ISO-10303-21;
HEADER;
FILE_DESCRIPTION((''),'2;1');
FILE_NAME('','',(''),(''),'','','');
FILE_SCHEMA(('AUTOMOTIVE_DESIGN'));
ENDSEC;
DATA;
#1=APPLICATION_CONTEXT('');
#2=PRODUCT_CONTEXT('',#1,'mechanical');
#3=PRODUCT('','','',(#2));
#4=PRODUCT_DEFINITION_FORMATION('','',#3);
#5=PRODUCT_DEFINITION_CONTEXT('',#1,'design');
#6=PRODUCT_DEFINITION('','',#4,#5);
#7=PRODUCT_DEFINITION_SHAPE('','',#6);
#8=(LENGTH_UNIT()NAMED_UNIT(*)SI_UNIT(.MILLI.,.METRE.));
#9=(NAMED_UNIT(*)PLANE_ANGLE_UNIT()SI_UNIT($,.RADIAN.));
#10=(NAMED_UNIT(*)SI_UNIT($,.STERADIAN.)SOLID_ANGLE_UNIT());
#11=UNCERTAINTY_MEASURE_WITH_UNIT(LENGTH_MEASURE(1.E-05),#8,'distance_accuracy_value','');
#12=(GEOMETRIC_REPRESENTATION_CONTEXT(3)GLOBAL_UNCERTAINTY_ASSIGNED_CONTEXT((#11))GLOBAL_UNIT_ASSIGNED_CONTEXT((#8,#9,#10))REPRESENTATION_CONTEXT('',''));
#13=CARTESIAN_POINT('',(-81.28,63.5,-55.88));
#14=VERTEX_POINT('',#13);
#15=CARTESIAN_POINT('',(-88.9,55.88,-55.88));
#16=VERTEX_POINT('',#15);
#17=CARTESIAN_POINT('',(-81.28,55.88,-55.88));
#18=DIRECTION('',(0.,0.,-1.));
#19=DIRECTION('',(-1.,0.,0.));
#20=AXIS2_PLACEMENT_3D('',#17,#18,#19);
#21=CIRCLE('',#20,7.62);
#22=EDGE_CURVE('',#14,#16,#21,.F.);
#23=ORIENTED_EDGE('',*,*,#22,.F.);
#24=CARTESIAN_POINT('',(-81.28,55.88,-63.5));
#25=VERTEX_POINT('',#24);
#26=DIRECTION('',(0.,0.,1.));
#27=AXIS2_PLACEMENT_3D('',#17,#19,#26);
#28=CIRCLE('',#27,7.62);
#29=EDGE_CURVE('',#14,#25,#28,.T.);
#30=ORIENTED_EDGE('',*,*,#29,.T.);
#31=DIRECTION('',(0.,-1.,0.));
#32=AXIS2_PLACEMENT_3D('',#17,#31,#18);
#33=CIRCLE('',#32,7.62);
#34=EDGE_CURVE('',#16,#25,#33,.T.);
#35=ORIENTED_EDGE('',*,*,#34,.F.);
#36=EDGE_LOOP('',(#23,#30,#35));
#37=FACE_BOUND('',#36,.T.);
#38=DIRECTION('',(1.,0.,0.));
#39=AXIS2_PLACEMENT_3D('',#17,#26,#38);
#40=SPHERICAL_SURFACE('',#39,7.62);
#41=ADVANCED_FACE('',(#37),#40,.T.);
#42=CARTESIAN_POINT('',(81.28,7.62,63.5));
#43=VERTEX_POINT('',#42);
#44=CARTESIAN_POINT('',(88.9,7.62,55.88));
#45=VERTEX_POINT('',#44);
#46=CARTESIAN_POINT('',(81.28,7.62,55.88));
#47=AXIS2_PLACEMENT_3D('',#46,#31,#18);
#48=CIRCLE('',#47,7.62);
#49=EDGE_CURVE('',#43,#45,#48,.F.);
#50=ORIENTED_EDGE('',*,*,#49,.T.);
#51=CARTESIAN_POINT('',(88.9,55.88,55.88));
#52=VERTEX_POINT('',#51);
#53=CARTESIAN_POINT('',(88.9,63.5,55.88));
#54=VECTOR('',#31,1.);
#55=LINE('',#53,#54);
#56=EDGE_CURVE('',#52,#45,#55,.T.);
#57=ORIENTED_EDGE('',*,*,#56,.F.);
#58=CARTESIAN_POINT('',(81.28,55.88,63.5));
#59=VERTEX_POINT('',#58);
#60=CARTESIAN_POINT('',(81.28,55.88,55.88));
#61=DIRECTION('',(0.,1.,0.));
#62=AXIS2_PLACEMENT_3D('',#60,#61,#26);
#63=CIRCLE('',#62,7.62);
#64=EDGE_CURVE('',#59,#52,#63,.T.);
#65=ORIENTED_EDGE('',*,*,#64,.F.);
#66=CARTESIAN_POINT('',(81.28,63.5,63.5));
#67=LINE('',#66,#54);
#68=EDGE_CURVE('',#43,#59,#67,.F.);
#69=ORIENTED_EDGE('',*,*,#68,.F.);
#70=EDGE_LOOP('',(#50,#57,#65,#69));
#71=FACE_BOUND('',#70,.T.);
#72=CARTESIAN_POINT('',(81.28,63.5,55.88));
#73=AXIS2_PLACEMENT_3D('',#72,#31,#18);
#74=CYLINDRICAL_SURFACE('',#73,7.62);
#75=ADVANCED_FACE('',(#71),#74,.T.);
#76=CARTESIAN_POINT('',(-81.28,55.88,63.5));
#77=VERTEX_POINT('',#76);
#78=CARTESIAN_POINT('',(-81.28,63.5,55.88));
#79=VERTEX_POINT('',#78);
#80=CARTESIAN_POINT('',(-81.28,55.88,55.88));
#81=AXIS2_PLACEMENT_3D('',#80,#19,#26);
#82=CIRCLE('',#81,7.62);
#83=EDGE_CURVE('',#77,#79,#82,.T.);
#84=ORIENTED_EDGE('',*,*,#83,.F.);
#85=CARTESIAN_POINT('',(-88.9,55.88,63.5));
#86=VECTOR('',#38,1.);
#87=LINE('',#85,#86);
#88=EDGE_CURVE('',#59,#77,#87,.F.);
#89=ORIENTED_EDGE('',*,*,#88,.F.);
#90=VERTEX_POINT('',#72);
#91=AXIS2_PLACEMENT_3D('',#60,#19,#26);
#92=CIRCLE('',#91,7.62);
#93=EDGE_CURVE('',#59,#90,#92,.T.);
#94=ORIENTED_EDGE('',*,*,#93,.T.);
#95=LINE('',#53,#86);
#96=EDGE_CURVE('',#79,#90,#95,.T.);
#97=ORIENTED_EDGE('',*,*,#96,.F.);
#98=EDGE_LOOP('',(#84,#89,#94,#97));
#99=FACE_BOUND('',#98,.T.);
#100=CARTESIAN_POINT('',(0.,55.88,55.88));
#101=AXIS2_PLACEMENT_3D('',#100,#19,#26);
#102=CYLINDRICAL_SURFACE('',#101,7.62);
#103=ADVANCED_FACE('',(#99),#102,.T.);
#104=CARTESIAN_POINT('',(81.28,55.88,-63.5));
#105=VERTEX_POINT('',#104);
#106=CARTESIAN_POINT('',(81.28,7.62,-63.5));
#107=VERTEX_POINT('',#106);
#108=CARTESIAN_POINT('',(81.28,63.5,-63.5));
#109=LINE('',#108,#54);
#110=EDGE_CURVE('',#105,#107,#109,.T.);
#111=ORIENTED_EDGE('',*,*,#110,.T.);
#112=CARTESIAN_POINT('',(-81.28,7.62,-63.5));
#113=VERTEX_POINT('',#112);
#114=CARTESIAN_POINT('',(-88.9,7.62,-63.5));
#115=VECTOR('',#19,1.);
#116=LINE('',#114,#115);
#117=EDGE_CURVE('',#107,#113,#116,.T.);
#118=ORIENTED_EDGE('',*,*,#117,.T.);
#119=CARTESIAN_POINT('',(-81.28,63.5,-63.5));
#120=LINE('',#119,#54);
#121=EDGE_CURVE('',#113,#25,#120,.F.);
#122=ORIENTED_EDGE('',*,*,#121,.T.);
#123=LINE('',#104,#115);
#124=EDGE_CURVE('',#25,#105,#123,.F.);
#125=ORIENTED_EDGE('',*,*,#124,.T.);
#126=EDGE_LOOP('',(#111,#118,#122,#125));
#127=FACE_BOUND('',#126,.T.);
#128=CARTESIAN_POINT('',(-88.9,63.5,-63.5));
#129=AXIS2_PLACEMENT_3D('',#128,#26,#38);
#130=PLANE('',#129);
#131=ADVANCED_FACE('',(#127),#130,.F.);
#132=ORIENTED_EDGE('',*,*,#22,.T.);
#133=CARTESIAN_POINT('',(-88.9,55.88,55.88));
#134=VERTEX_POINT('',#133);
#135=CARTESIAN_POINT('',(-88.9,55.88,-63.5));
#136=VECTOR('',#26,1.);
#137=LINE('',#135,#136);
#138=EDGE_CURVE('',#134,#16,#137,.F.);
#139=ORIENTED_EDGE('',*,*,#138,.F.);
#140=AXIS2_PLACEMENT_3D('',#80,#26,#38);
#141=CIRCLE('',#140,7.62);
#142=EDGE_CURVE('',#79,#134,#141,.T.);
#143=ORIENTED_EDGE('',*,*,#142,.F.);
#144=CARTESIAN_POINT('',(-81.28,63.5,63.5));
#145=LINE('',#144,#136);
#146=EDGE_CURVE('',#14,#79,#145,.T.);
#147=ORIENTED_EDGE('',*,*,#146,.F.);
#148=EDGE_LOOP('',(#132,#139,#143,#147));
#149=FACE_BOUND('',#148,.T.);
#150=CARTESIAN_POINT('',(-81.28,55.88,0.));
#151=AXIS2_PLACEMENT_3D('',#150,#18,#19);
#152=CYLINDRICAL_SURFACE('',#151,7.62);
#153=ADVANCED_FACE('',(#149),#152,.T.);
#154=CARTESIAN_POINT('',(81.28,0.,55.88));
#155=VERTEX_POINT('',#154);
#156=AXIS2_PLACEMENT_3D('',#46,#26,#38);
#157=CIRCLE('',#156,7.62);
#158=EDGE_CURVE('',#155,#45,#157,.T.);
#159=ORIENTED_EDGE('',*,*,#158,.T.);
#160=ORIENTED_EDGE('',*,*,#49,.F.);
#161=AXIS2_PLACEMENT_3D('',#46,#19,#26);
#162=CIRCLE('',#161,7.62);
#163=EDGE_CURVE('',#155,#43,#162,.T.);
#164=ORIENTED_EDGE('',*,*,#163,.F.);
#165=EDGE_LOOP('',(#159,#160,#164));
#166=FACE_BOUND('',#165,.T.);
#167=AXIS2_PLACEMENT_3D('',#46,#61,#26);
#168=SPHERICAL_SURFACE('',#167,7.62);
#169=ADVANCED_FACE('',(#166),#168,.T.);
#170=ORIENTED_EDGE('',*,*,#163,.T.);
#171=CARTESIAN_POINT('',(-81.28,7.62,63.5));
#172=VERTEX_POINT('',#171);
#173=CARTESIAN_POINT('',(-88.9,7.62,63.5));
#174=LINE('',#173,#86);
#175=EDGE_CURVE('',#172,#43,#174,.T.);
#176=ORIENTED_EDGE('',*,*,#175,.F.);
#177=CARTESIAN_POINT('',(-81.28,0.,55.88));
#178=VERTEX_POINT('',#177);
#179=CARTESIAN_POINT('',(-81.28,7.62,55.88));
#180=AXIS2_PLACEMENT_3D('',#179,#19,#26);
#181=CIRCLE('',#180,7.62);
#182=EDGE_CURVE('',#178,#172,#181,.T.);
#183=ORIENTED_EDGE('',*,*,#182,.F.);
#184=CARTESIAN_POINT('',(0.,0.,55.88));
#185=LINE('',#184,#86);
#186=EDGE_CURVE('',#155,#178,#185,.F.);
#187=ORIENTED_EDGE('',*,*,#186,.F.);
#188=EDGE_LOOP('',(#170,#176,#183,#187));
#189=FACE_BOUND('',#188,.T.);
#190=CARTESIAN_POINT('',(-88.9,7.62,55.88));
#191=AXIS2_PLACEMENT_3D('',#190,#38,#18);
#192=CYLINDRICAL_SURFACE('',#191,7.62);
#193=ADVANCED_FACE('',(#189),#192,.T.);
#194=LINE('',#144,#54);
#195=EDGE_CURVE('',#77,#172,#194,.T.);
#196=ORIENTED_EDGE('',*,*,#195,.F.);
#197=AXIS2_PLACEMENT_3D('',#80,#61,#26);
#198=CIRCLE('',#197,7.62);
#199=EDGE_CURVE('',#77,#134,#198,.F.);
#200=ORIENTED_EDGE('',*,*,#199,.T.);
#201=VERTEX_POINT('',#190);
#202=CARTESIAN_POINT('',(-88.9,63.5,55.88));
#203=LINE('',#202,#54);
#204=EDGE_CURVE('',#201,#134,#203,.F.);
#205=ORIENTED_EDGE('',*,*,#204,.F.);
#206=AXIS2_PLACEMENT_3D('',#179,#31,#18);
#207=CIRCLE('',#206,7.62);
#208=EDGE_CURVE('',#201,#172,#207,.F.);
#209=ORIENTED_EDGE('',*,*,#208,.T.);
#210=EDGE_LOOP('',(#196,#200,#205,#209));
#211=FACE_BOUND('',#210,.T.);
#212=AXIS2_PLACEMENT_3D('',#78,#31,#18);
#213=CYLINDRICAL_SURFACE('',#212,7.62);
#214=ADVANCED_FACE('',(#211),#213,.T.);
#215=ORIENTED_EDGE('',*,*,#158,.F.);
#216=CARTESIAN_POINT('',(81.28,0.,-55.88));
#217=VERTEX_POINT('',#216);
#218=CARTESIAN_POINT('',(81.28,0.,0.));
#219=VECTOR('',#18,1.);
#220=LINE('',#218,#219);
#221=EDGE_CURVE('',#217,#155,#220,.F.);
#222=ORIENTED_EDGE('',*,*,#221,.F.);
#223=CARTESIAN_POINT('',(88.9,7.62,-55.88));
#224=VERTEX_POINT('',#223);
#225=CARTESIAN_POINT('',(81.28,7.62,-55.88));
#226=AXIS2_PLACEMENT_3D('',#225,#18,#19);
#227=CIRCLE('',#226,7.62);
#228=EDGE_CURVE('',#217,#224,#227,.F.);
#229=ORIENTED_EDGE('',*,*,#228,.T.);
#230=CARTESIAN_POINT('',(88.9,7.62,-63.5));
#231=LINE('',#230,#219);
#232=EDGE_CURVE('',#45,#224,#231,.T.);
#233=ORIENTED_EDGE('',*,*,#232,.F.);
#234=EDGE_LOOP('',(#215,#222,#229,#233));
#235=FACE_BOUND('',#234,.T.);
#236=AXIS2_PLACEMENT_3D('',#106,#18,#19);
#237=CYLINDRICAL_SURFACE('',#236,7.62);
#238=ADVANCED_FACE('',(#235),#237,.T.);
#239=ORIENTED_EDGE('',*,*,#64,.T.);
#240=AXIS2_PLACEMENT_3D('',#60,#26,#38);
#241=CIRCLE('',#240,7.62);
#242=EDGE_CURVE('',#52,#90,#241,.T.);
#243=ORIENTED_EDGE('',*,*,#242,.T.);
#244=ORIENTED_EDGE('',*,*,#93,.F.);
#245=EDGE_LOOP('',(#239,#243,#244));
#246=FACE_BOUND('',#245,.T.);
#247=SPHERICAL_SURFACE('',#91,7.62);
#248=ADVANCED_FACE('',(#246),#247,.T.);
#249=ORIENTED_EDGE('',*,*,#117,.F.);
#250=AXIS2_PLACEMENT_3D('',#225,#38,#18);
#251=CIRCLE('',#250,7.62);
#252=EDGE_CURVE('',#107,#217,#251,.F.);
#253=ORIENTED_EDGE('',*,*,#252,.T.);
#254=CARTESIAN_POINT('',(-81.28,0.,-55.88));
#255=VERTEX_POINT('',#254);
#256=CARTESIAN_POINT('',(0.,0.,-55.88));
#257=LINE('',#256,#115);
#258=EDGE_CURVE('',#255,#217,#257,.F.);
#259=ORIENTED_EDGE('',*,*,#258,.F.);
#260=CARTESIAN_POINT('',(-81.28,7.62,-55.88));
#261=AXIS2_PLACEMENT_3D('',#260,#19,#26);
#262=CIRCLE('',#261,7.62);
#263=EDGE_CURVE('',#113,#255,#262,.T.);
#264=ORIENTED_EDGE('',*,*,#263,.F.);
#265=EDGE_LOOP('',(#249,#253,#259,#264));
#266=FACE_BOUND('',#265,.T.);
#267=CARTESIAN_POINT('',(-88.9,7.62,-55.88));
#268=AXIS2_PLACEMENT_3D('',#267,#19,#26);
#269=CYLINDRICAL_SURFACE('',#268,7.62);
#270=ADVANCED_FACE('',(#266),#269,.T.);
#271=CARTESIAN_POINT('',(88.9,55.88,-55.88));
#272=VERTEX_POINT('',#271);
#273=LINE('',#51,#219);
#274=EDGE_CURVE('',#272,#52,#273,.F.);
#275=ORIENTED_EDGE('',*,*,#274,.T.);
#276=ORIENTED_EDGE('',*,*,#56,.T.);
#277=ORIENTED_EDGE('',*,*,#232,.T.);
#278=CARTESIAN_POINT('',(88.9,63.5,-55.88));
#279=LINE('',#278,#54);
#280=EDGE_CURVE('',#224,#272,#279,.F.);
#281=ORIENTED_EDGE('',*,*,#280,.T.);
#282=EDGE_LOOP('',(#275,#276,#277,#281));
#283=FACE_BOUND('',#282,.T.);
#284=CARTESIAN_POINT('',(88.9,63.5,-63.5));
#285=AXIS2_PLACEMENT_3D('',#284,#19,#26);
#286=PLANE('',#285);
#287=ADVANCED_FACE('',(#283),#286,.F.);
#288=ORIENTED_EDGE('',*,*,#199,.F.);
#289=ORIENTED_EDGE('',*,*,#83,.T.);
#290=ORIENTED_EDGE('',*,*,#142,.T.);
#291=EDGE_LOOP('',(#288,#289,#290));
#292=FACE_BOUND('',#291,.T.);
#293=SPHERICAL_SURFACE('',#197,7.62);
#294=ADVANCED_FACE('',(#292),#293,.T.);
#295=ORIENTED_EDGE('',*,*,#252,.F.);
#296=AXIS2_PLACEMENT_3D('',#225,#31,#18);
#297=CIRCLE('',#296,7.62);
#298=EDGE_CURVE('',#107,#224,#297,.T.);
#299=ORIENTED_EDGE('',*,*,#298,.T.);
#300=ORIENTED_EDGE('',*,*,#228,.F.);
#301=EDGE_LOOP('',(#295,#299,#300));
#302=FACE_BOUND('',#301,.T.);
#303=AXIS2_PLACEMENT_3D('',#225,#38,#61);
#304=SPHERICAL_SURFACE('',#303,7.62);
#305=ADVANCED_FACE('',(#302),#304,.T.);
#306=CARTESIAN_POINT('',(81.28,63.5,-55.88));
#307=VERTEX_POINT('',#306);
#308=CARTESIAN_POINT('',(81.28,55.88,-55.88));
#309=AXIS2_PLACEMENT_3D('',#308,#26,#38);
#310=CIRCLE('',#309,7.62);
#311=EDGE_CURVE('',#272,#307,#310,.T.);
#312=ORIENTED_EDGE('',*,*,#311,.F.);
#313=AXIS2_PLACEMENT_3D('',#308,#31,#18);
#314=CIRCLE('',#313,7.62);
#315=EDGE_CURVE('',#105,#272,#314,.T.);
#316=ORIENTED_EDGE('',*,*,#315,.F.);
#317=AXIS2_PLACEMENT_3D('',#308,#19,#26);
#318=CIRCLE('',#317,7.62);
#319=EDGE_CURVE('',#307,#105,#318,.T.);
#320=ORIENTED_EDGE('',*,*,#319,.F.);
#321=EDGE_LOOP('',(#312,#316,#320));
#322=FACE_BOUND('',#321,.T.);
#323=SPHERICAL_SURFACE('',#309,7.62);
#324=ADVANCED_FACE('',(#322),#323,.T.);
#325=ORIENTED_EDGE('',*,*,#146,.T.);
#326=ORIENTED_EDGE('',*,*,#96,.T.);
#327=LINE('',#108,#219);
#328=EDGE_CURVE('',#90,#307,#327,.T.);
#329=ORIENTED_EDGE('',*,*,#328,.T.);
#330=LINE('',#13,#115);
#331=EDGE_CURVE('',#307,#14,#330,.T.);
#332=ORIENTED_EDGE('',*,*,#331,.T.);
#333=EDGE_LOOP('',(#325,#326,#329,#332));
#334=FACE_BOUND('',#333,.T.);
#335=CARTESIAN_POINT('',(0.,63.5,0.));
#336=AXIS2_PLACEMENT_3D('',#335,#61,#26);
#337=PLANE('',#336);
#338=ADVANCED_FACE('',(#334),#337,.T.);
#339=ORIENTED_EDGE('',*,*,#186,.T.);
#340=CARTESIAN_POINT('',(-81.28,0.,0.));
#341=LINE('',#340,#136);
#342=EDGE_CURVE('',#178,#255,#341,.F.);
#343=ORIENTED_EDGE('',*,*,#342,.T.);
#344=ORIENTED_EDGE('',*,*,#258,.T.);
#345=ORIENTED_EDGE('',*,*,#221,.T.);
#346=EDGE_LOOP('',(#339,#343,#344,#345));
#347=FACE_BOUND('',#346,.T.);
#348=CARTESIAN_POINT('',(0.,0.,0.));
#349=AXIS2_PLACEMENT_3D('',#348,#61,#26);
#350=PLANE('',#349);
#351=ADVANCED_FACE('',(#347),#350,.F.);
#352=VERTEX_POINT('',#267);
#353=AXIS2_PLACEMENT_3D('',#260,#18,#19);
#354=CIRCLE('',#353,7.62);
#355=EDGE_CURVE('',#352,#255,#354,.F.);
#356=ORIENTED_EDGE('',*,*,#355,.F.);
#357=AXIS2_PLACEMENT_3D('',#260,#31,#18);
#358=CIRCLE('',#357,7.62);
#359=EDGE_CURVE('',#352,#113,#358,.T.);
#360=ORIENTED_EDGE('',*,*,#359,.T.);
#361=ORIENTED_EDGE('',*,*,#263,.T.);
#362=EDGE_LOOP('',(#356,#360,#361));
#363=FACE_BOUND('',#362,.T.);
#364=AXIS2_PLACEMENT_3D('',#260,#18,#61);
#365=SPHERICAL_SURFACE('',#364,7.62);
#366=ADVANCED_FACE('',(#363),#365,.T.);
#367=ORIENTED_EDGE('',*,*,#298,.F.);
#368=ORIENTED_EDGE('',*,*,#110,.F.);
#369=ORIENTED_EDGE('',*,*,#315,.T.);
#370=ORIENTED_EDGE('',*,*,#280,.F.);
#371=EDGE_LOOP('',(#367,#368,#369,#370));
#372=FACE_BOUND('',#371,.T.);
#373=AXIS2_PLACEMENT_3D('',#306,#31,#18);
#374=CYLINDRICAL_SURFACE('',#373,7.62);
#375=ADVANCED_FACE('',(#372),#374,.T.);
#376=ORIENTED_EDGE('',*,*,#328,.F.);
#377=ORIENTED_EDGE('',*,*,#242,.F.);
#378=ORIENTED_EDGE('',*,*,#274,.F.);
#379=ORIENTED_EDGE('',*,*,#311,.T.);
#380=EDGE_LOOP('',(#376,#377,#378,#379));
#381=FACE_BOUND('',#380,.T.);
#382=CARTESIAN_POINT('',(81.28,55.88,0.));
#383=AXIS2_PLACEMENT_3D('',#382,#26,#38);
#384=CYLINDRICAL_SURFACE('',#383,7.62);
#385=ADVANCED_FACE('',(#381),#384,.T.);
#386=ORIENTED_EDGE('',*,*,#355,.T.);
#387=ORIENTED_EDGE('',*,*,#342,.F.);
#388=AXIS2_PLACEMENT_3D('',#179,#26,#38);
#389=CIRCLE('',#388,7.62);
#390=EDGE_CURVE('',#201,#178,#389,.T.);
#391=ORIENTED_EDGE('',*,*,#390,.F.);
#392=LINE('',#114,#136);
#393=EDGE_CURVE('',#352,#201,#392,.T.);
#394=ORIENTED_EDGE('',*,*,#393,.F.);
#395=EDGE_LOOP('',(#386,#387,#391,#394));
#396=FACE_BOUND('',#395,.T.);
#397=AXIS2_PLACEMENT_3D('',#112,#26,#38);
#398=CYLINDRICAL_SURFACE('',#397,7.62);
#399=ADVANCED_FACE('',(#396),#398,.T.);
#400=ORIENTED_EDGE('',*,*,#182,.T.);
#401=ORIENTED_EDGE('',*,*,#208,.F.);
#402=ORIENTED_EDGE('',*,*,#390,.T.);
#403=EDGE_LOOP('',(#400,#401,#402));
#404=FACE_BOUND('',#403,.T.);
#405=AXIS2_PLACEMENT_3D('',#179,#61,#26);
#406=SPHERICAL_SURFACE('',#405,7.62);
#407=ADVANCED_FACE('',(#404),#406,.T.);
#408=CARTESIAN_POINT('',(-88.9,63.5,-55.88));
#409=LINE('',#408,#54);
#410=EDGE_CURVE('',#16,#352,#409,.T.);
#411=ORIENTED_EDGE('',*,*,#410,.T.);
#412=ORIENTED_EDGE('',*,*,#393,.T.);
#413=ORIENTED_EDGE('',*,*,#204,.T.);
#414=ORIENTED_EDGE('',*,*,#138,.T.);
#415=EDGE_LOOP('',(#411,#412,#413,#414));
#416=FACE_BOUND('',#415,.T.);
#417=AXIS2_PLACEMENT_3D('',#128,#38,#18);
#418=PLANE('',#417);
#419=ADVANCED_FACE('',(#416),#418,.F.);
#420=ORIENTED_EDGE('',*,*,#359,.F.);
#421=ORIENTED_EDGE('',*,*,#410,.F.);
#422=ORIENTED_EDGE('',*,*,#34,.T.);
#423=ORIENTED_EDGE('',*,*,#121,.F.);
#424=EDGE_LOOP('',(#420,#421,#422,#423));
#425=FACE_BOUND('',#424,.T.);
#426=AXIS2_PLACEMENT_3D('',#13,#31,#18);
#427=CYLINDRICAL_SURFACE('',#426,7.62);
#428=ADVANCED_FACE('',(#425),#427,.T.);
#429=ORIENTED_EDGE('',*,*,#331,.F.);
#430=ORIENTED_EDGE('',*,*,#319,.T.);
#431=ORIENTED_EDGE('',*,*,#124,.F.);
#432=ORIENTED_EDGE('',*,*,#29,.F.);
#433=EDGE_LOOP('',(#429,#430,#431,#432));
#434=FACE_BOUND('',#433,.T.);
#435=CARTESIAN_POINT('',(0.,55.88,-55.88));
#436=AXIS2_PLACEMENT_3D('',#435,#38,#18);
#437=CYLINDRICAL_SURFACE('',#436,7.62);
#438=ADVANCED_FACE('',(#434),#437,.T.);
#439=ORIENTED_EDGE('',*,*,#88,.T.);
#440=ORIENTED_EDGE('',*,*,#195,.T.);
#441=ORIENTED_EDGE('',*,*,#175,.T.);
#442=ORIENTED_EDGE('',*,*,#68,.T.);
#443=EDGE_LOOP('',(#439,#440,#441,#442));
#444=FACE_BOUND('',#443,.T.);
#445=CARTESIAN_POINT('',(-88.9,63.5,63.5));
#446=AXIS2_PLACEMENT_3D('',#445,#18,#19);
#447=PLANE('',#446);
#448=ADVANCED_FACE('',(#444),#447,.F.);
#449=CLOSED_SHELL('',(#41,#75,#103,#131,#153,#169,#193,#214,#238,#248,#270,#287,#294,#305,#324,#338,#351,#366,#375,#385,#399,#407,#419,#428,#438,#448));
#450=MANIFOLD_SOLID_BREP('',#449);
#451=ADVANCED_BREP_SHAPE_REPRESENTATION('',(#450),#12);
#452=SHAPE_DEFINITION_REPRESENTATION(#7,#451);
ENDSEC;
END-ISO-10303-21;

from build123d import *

# Parameters (mm, degrees)
SKETCH2_W           = 177.8
SKETCH2_H           = 127
BOSS_EXTRUDE1_DEPTH = 63.5
FILLET1_R           = 7.62
FILLET2_R           = 7.62
FILLET3_R           = 7.62


with BuildPart() as part:
    # Sketch2 → Boss-Extrude1 (new body)
    with BuildSketch(Plane(origin=(0, 0, 0), x_dir=(1, 0, 0), z_dir=(0, 1, 0))):
        Rectangle(SKETCH2_W, SKETCH2_H)
    extrude(amount=BOSS_EXTRUDE1_DEPTH)

    # Fillet1
    fillet1_edges = [part.edges().sort_by_distance(p)[0] for p in [
        (-88.9, 63.5, 0),
        (0, 63.5, 63.5),
        (-88.9, 31.75, 63.5),
    ]]
    fillet(fillet1_edges, radius=FILLET1_R)

    # Fillet2
    fillet2_edges = [part.edges().sort_by_distance(p)[0] for p in [
        (88.9, 27.94, 63.5),
        (88.9, 63.5, -3.81),
        (88.9, 61.268153673, 61.268153673),
    ]]
    fillet(fillet2_edges, radius=FILLET2_R)

    # Fillet3
    fillet3_edges = [part.edges().sort_by_distance(p)[0] for p in [
        (0, 0, 63.5),
        (-86.668153673, 0, 61.268153673),
        (-88.9, 27.94, -63.5),
        (-86.668153673, 61.268153673, -63.5),
        (0, 63.5, -63.5),
        (88.9, 27.94, -63.5),
        (86.668153673, 61.268153673, -63.5),
        (88.9, 0, -3.81),
        (86.668153673, 0, 61.268153673),
        (-88.9, 0, -3.81),
        (0, 0, -63.5),
    ]]
    fillet(fillet3_edges, radius=FILLET3_R)


solid = part.part
